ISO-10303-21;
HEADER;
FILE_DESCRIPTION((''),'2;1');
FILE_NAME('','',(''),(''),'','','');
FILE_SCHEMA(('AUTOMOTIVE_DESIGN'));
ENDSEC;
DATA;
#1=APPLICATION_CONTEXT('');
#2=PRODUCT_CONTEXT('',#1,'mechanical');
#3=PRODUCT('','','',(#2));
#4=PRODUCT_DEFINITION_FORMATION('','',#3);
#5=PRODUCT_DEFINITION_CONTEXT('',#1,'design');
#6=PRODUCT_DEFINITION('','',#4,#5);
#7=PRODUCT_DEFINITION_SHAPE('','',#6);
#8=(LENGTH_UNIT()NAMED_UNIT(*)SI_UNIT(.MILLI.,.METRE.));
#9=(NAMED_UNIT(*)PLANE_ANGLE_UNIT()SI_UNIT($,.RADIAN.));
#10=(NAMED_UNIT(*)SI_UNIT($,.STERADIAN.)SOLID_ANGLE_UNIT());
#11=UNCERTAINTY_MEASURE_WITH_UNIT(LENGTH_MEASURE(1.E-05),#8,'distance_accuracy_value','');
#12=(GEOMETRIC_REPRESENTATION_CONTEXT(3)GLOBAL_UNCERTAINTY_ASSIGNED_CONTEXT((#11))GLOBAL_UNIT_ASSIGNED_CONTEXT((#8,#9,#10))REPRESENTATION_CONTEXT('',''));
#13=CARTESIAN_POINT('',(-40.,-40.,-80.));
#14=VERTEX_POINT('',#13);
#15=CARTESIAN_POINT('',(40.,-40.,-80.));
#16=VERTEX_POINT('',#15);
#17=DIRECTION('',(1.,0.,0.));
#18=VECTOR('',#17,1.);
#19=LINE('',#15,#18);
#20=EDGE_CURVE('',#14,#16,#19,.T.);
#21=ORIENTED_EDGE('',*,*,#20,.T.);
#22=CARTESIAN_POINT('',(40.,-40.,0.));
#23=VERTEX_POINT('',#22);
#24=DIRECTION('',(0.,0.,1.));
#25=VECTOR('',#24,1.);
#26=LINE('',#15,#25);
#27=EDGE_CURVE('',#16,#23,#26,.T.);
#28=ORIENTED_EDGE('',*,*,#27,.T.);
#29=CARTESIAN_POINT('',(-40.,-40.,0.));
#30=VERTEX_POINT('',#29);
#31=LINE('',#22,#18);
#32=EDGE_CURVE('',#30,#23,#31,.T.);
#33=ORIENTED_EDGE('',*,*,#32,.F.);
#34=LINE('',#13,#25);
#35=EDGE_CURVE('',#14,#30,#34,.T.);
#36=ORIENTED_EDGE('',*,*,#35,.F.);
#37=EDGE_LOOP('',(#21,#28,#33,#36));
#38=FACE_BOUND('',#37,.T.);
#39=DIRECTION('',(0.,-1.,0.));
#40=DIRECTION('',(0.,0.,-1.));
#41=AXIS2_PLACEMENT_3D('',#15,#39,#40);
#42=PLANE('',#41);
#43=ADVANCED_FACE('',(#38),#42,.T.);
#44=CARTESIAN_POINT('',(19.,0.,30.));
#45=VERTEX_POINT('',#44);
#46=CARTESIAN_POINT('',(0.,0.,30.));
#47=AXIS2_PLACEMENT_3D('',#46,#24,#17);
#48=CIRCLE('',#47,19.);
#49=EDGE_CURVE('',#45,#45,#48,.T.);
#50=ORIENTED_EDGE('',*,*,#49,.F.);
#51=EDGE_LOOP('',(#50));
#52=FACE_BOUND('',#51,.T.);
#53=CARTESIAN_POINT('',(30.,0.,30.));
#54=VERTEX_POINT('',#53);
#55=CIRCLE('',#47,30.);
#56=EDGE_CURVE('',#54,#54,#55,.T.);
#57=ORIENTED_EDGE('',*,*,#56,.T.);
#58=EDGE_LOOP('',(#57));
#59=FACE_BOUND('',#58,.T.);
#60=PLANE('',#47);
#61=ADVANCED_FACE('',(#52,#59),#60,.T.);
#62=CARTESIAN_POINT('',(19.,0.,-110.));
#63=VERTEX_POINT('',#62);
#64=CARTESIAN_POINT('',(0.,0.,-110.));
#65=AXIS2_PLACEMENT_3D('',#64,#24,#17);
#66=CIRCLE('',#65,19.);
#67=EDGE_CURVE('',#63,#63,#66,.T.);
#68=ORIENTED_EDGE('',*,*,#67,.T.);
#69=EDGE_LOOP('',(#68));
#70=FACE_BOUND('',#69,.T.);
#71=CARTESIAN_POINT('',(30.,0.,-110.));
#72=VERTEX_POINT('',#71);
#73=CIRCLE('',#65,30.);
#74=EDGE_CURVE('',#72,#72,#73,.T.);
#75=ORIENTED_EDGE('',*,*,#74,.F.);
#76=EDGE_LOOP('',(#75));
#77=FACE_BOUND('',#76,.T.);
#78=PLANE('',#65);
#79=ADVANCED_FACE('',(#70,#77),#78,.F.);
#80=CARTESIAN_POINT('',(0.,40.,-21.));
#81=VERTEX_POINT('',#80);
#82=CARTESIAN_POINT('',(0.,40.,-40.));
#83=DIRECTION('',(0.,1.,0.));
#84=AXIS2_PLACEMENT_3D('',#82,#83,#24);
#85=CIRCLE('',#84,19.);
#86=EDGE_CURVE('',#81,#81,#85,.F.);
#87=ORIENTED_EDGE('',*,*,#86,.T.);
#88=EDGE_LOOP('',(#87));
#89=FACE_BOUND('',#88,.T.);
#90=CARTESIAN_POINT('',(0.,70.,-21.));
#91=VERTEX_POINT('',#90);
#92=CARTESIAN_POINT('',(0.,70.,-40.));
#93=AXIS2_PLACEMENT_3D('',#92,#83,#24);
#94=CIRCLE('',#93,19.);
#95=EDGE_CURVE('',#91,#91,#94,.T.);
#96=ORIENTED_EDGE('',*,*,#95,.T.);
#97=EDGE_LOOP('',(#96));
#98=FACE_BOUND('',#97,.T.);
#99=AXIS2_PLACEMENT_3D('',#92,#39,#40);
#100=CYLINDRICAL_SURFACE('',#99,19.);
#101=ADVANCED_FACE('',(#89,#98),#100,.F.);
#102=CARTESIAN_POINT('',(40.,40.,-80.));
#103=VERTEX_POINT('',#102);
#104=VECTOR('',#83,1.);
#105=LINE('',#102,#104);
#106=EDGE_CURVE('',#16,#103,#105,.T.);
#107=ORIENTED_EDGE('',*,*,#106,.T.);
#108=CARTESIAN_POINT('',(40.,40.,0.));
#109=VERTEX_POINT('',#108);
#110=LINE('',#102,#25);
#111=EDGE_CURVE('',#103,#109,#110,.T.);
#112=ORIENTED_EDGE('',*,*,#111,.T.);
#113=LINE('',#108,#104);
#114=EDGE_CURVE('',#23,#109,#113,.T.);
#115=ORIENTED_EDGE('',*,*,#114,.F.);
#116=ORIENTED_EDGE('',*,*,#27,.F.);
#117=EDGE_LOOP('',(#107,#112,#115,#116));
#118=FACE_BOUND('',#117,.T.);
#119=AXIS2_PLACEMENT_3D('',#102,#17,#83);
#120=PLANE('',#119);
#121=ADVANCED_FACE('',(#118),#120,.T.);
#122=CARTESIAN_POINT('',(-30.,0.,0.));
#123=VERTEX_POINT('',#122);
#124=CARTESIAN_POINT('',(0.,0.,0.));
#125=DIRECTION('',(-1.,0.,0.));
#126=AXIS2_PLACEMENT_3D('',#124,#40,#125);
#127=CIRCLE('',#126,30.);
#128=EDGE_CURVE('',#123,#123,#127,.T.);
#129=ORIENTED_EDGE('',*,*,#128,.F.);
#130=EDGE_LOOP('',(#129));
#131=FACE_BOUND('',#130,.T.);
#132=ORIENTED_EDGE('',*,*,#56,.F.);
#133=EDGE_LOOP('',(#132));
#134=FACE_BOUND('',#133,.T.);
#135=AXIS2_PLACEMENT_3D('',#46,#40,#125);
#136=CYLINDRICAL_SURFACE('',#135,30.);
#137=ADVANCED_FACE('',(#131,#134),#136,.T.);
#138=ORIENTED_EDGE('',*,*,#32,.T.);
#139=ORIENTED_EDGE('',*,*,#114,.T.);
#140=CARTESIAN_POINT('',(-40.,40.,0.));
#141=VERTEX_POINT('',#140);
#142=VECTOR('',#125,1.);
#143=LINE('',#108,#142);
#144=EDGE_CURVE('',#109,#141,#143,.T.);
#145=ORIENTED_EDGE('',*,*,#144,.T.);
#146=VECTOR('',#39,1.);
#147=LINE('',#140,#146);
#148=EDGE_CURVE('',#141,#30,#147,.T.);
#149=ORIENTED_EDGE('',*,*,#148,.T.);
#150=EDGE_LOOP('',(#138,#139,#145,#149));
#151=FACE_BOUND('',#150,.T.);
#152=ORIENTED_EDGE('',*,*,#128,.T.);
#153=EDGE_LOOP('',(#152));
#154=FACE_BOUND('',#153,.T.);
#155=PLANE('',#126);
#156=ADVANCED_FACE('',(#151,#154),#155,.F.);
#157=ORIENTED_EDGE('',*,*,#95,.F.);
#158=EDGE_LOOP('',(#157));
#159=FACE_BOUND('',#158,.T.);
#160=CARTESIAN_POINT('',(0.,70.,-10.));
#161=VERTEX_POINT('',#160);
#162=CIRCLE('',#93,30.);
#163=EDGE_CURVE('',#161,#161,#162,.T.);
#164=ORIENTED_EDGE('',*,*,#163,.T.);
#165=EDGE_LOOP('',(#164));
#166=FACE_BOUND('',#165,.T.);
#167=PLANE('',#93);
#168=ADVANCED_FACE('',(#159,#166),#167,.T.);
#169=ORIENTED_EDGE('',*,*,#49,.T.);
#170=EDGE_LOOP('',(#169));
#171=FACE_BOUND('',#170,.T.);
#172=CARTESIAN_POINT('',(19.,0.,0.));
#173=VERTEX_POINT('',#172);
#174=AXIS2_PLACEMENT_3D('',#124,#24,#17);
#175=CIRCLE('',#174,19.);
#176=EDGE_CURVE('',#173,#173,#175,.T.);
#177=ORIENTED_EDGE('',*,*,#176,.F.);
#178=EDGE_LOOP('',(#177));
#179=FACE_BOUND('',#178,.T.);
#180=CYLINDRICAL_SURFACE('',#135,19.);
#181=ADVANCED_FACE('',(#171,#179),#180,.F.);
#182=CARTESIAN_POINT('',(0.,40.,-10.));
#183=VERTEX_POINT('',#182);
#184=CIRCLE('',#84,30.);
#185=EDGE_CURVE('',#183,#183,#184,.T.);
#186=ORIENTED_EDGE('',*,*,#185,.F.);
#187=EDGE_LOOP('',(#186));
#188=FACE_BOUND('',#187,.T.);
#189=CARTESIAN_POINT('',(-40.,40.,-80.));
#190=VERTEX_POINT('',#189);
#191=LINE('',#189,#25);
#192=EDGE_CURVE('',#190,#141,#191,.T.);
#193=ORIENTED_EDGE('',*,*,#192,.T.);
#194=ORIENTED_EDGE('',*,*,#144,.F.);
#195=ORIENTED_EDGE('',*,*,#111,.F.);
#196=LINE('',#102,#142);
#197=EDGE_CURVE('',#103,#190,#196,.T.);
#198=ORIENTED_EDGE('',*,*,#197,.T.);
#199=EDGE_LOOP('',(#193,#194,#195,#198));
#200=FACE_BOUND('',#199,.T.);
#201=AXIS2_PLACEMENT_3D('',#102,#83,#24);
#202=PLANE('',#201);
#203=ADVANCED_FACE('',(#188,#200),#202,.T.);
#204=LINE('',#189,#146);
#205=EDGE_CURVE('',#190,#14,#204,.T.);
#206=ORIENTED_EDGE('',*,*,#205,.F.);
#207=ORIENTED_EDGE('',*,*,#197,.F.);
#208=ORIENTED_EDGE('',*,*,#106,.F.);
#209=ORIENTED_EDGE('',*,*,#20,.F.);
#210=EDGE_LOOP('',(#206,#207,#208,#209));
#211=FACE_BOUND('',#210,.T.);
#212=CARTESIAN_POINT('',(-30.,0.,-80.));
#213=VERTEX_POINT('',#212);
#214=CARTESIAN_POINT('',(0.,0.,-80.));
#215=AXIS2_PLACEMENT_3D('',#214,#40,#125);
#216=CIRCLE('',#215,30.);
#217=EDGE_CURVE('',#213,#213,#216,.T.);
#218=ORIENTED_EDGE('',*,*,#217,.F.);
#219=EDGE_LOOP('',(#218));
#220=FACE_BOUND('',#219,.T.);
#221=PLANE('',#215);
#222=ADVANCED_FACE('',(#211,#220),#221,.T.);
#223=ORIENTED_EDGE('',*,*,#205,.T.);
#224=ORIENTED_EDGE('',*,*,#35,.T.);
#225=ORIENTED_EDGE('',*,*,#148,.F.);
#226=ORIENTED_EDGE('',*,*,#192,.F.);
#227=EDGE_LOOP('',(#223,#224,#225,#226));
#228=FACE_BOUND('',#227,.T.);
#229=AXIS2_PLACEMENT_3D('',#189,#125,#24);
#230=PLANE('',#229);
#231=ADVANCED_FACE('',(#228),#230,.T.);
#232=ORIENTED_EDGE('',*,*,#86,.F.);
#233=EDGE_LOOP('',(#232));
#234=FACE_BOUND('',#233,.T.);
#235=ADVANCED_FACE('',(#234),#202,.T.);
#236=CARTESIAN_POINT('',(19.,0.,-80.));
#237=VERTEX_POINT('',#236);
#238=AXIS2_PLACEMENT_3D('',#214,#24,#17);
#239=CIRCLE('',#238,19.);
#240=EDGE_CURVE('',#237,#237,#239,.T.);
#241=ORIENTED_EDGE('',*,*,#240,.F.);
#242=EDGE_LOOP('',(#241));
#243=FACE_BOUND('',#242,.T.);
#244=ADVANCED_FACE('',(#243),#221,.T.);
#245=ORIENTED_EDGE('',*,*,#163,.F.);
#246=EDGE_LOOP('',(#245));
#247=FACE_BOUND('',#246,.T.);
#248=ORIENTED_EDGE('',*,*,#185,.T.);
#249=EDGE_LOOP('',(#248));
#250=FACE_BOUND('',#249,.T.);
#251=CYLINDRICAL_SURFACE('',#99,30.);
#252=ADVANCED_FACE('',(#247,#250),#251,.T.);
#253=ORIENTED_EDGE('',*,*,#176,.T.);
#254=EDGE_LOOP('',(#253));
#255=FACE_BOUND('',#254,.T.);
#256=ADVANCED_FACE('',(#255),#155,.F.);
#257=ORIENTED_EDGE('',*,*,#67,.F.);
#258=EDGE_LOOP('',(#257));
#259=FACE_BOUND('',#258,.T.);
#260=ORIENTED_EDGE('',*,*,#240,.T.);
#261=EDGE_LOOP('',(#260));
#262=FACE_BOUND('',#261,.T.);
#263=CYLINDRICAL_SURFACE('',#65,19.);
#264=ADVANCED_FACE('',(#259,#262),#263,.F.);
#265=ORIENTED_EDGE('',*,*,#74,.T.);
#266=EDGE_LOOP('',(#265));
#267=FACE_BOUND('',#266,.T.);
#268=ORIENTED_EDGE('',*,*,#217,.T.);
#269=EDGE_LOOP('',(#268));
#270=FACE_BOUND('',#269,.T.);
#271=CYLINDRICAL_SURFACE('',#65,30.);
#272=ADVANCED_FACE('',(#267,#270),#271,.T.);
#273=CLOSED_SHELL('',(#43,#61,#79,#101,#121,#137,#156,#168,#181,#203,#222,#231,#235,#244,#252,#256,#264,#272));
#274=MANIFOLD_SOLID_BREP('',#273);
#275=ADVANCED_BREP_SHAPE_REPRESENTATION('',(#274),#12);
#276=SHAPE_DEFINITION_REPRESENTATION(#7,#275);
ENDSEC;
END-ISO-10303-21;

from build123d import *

# Parameters (mm, degrees)
CROQUIS1_R              = 30
CROQUIS1_R_2            = 19
SALIENTE_EXTRUIR1_DEPTH = 30
CROQUIS2_W              = 80
CROQUIS2_H              = 80
SALIENTE_EXTRUIR2_DEPTH = 80
CROQUIS4_R              = 30
CROQUIS4_R_2            = 19
SALIENTE_EXTRUIR4_DEPTH = 30
SALIENTE_EXTRUIR6_START = -30
CROQUIS6_R              = 30
CROQUIS6_R_2            = 19
SALIENTE_EXTRUIR6_DEPTH = 30


with BuildPart() as part:
    # Croquis1 → Saliente-Extruir1 (new body)
    with BuildSketch(Plane.XY):
        Circle(CROQUIS1_R)
        Circle(CROQUIS1_R_2, mode=Mode.SUBTRACT)
    extrude(amount=SALIENTE_EXTRUIR1_DEPTH)

    # Croquis2 → Saliente-Extruir2 (add)
    with BuildSketch(Plane.XY):
        Rectangle(CROQUIS2_W, CROQUIS2_H)
    extrude(amount=-SALIENTE_EXTRUIR2_DEPTH)

    # Croquis4 → Saliente-Extruir4 (add)
    with BuildSketch(Plane(origin=(0, 40, 0), x_dir=(1, 0, 0), z_dir=(0, 1, 0))):
        with Locations(Location((0, 40, 0), (0, 0, 270))):
            Circle(CROQUIS4_R)
        with Locations(Location((0, 40, 0), (0, 0, 270))):
            Circle(CROQUIS4_R_2, mode=Mode.SUBTRACT)
    extrude(amount=SALIENTE_EXTRUIR4_DEPTH)

    # Croquis6 → Saliente-Extruir6 (add)
    with BuildSketch(Plane.XY.offset(-80).offset(SALIENTE_EXTRUIR6_START)):
        with Locations(Location((0, 0, 0), (0, 0, 180))):
            Circle(CROQUIS6_R)
        Circle(CROQUIS6_R_2, mode=Mode.SUBTRACT)
    extrude(amount=SALIENTE_EXTRUIR6_DEPTH)


solid = part.part
